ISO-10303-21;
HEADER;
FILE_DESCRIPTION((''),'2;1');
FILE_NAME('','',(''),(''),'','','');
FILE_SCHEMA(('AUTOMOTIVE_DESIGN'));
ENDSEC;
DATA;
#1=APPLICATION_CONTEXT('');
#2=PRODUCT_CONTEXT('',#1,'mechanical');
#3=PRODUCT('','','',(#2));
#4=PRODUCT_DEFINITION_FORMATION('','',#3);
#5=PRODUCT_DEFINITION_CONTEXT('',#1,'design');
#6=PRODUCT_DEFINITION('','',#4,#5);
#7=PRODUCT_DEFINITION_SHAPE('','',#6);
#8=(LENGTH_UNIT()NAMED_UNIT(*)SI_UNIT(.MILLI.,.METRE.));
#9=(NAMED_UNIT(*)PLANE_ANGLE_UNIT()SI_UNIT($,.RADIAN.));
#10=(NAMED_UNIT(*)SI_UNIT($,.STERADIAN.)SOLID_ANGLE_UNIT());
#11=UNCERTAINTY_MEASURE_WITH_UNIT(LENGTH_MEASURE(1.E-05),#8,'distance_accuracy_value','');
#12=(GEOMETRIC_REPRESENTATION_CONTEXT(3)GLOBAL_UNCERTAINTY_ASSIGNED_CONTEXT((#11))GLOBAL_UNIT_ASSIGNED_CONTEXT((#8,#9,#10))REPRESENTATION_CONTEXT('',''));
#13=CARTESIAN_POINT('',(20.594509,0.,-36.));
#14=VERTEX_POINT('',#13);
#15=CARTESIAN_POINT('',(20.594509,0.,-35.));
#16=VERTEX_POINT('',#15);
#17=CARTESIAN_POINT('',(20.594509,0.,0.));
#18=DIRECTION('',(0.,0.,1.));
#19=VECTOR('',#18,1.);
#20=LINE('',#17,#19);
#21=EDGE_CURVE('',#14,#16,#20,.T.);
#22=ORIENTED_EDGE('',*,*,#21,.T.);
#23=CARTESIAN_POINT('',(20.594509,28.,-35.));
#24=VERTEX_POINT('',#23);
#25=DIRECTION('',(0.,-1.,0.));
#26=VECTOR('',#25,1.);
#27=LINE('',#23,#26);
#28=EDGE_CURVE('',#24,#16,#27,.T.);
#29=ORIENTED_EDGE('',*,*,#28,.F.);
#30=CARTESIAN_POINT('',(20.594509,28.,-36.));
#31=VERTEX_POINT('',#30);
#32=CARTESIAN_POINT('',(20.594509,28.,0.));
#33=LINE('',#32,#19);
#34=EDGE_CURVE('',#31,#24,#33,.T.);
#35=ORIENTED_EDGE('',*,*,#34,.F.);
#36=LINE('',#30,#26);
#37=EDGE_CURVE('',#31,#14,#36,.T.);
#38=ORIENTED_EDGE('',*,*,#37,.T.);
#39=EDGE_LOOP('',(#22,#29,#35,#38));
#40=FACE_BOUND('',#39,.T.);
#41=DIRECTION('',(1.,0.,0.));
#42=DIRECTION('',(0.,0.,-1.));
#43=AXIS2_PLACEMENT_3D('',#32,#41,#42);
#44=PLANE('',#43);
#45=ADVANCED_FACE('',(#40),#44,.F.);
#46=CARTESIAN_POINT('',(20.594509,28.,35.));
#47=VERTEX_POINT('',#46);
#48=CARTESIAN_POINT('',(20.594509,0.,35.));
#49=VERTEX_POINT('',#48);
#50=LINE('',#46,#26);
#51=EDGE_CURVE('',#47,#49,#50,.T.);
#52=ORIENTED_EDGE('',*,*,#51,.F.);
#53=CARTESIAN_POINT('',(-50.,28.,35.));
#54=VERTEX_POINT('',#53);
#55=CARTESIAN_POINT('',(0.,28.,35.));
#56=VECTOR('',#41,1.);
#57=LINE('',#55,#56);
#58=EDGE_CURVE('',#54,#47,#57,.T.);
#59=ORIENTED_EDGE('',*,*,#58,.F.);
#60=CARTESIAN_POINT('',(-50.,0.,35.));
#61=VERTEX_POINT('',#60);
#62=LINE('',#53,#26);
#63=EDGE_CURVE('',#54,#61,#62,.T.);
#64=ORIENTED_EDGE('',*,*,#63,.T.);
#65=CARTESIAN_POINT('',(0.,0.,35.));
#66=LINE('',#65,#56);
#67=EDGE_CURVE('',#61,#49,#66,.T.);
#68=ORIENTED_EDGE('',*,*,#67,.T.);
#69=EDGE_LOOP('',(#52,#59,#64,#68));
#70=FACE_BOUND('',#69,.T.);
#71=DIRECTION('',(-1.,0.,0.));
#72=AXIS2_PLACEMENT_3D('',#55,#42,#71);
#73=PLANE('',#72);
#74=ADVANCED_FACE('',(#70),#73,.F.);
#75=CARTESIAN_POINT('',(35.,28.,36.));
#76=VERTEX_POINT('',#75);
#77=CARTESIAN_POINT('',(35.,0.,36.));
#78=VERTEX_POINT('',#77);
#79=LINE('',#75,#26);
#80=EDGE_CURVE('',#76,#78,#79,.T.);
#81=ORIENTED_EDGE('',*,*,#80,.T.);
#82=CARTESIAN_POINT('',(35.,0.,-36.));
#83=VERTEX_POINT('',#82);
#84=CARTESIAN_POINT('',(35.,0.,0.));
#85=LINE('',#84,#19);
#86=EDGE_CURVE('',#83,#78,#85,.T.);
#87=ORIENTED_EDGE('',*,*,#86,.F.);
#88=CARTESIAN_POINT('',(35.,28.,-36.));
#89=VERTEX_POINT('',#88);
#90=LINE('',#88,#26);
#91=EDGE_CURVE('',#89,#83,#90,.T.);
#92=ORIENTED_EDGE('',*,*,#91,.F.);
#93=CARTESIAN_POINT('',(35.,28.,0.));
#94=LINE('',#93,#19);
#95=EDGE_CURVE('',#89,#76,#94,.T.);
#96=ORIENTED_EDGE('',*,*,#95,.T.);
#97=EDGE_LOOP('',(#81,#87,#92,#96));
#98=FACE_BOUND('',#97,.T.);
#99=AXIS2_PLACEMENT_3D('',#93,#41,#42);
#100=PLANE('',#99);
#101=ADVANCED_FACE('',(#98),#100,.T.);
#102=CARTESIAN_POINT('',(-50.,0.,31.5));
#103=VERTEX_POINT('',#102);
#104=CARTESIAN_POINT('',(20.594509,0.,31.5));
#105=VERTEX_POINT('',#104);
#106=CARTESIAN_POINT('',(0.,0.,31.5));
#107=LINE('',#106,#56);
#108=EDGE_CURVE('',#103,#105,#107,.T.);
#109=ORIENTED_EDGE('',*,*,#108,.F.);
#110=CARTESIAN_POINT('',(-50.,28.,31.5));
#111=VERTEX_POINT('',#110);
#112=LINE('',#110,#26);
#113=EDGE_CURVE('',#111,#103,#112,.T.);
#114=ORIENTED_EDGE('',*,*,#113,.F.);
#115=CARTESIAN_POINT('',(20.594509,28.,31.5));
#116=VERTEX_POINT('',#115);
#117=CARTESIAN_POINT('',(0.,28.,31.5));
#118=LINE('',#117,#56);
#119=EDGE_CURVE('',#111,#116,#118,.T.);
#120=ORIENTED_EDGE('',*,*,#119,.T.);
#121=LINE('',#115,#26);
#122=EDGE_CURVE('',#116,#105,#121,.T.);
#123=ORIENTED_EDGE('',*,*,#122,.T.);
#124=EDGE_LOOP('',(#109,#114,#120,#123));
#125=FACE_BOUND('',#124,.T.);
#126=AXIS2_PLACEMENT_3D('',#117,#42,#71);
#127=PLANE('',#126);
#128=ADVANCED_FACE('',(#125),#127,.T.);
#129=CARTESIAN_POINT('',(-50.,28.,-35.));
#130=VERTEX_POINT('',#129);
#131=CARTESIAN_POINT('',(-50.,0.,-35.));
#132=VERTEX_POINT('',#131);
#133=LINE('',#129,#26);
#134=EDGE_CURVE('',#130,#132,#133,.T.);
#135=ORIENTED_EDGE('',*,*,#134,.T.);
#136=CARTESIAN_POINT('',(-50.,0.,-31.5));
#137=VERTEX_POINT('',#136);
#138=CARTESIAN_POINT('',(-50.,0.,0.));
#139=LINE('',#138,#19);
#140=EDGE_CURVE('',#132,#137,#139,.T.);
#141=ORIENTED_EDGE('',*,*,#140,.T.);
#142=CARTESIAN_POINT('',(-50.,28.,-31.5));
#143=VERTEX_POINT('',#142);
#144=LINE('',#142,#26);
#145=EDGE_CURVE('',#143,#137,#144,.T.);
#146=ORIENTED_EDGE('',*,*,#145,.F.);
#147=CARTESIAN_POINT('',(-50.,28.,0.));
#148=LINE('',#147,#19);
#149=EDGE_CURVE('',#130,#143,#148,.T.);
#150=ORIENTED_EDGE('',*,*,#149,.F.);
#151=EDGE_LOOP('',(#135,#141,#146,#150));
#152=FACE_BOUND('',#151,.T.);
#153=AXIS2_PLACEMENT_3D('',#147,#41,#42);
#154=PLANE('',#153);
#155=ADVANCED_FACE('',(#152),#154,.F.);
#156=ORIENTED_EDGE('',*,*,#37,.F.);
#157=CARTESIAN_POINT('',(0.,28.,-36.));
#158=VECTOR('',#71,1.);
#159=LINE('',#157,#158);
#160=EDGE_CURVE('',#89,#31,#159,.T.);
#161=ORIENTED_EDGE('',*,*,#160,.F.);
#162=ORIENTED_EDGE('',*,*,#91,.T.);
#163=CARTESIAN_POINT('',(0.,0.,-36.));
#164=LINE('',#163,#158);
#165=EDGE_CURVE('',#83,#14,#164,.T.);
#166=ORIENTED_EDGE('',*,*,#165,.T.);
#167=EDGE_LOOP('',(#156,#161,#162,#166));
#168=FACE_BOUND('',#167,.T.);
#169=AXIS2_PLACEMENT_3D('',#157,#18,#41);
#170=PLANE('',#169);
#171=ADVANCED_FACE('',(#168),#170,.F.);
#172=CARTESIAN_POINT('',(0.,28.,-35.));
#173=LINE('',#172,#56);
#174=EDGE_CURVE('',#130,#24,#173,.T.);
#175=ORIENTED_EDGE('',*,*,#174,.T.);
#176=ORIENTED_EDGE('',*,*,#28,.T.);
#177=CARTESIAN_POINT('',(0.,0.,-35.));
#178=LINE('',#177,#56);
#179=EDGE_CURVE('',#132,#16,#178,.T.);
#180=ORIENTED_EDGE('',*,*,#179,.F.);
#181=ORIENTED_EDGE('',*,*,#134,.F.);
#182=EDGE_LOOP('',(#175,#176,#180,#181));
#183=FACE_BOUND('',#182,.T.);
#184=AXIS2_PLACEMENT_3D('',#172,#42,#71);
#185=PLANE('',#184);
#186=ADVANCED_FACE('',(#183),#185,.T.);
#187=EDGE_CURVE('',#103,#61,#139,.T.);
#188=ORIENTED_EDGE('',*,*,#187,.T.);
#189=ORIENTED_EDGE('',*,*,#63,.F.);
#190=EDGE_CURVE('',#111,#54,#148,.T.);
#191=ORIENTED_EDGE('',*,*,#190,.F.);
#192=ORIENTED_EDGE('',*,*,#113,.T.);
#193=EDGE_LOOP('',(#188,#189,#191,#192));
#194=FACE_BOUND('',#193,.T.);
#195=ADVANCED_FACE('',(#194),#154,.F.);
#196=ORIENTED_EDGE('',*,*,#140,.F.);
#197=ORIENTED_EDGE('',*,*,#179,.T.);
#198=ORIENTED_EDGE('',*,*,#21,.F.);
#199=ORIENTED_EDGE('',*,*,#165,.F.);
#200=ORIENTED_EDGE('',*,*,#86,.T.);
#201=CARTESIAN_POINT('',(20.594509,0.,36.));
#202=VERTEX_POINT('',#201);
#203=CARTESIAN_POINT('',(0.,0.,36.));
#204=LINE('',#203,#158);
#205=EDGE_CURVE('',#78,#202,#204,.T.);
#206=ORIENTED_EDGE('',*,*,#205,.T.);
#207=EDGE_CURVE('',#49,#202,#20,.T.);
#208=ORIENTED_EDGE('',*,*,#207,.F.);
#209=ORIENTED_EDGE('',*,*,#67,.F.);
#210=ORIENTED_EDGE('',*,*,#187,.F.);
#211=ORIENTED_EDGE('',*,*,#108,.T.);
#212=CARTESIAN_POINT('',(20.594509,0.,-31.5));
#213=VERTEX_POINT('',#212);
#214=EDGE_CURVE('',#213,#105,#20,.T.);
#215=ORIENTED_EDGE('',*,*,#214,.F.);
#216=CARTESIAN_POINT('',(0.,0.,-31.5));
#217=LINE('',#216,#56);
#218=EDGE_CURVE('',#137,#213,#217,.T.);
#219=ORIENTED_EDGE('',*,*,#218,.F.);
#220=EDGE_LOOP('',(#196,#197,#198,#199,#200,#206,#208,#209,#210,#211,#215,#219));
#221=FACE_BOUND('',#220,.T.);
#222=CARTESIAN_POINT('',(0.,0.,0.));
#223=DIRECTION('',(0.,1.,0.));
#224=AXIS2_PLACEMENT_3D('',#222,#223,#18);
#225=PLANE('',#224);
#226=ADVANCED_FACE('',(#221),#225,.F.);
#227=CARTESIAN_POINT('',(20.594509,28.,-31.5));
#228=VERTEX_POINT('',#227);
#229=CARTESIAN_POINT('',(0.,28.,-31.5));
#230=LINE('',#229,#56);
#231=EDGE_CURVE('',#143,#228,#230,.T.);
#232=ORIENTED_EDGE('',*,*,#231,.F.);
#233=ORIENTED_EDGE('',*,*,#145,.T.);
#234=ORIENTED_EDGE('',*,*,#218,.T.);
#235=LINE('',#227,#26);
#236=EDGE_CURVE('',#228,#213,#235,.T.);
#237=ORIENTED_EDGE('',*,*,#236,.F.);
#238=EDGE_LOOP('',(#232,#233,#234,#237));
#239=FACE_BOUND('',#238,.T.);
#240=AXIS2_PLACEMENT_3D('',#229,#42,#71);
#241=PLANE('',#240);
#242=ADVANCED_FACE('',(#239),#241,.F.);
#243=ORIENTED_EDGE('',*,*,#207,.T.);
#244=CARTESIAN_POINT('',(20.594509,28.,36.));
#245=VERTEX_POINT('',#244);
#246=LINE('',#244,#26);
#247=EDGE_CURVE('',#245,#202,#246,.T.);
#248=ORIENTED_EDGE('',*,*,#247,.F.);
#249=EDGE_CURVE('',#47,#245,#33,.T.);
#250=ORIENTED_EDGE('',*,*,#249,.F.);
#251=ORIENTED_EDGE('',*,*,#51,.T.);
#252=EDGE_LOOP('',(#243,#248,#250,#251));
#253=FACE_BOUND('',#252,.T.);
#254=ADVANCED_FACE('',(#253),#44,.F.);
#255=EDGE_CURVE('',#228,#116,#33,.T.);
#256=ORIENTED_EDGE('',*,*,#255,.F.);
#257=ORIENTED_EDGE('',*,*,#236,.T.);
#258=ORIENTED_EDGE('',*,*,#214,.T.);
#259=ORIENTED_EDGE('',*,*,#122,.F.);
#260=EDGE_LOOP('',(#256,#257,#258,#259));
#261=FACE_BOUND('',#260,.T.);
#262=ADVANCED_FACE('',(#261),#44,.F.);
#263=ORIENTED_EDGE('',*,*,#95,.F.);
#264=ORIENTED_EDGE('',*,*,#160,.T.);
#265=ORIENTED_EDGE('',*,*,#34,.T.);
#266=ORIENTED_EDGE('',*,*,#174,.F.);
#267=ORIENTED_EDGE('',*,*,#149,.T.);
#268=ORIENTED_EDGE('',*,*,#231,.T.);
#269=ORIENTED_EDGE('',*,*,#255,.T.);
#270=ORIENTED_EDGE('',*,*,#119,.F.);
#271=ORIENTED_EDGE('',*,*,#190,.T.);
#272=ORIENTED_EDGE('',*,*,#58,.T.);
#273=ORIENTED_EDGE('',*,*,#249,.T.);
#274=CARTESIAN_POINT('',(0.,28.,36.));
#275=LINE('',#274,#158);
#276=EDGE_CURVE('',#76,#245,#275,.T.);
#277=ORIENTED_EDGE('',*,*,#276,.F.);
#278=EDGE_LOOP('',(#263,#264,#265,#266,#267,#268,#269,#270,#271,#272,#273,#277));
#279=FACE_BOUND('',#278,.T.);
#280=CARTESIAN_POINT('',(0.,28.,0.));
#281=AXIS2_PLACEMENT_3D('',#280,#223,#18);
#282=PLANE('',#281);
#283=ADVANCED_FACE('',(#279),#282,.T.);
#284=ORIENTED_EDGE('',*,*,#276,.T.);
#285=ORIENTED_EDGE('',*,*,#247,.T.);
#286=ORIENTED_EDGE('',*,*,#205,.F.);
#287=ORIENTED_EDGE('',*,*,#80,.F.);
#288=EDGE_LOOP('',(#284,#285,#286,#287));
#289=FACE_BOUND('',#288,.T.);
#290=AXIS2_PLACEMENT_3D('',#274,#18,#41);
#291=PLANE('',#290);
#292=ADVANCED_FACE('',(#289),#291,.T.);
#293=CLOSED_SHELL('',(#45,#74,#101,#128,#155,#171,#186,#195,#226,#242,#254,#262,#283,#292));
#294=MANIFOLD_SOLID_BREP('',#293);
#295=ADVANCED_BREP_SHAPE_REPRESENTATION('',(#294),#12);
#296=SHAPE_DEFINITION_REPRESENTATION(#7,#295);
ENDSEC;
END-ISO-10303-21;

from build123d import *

# Parameters (mm, degrees)
BOSS_EXTRUDE1_DEPTH = 28


with BuildPart() as part:
    # Sketch1 → Boss-Extrude1 (new body)
    with BuildSketch(Plane(origin=(0, 0, 0), x_dir=(1, 0, 0), z_dir=(0, 1, 0))):
        Polygon((-50, -35), (20.59450896, -35), (20.59450896, -36), (35, -36), (35, 36), (20.59450896, 36), (20.59450896, 35), (-50, 35), (-50, 31.5), (20.59450896, 31.5), (20.59450896, -31.5), (-50, -31.5), align=None)
    extrude(amount=BOSS_EXTRUDE1_DEPTH)


solid = part.part
